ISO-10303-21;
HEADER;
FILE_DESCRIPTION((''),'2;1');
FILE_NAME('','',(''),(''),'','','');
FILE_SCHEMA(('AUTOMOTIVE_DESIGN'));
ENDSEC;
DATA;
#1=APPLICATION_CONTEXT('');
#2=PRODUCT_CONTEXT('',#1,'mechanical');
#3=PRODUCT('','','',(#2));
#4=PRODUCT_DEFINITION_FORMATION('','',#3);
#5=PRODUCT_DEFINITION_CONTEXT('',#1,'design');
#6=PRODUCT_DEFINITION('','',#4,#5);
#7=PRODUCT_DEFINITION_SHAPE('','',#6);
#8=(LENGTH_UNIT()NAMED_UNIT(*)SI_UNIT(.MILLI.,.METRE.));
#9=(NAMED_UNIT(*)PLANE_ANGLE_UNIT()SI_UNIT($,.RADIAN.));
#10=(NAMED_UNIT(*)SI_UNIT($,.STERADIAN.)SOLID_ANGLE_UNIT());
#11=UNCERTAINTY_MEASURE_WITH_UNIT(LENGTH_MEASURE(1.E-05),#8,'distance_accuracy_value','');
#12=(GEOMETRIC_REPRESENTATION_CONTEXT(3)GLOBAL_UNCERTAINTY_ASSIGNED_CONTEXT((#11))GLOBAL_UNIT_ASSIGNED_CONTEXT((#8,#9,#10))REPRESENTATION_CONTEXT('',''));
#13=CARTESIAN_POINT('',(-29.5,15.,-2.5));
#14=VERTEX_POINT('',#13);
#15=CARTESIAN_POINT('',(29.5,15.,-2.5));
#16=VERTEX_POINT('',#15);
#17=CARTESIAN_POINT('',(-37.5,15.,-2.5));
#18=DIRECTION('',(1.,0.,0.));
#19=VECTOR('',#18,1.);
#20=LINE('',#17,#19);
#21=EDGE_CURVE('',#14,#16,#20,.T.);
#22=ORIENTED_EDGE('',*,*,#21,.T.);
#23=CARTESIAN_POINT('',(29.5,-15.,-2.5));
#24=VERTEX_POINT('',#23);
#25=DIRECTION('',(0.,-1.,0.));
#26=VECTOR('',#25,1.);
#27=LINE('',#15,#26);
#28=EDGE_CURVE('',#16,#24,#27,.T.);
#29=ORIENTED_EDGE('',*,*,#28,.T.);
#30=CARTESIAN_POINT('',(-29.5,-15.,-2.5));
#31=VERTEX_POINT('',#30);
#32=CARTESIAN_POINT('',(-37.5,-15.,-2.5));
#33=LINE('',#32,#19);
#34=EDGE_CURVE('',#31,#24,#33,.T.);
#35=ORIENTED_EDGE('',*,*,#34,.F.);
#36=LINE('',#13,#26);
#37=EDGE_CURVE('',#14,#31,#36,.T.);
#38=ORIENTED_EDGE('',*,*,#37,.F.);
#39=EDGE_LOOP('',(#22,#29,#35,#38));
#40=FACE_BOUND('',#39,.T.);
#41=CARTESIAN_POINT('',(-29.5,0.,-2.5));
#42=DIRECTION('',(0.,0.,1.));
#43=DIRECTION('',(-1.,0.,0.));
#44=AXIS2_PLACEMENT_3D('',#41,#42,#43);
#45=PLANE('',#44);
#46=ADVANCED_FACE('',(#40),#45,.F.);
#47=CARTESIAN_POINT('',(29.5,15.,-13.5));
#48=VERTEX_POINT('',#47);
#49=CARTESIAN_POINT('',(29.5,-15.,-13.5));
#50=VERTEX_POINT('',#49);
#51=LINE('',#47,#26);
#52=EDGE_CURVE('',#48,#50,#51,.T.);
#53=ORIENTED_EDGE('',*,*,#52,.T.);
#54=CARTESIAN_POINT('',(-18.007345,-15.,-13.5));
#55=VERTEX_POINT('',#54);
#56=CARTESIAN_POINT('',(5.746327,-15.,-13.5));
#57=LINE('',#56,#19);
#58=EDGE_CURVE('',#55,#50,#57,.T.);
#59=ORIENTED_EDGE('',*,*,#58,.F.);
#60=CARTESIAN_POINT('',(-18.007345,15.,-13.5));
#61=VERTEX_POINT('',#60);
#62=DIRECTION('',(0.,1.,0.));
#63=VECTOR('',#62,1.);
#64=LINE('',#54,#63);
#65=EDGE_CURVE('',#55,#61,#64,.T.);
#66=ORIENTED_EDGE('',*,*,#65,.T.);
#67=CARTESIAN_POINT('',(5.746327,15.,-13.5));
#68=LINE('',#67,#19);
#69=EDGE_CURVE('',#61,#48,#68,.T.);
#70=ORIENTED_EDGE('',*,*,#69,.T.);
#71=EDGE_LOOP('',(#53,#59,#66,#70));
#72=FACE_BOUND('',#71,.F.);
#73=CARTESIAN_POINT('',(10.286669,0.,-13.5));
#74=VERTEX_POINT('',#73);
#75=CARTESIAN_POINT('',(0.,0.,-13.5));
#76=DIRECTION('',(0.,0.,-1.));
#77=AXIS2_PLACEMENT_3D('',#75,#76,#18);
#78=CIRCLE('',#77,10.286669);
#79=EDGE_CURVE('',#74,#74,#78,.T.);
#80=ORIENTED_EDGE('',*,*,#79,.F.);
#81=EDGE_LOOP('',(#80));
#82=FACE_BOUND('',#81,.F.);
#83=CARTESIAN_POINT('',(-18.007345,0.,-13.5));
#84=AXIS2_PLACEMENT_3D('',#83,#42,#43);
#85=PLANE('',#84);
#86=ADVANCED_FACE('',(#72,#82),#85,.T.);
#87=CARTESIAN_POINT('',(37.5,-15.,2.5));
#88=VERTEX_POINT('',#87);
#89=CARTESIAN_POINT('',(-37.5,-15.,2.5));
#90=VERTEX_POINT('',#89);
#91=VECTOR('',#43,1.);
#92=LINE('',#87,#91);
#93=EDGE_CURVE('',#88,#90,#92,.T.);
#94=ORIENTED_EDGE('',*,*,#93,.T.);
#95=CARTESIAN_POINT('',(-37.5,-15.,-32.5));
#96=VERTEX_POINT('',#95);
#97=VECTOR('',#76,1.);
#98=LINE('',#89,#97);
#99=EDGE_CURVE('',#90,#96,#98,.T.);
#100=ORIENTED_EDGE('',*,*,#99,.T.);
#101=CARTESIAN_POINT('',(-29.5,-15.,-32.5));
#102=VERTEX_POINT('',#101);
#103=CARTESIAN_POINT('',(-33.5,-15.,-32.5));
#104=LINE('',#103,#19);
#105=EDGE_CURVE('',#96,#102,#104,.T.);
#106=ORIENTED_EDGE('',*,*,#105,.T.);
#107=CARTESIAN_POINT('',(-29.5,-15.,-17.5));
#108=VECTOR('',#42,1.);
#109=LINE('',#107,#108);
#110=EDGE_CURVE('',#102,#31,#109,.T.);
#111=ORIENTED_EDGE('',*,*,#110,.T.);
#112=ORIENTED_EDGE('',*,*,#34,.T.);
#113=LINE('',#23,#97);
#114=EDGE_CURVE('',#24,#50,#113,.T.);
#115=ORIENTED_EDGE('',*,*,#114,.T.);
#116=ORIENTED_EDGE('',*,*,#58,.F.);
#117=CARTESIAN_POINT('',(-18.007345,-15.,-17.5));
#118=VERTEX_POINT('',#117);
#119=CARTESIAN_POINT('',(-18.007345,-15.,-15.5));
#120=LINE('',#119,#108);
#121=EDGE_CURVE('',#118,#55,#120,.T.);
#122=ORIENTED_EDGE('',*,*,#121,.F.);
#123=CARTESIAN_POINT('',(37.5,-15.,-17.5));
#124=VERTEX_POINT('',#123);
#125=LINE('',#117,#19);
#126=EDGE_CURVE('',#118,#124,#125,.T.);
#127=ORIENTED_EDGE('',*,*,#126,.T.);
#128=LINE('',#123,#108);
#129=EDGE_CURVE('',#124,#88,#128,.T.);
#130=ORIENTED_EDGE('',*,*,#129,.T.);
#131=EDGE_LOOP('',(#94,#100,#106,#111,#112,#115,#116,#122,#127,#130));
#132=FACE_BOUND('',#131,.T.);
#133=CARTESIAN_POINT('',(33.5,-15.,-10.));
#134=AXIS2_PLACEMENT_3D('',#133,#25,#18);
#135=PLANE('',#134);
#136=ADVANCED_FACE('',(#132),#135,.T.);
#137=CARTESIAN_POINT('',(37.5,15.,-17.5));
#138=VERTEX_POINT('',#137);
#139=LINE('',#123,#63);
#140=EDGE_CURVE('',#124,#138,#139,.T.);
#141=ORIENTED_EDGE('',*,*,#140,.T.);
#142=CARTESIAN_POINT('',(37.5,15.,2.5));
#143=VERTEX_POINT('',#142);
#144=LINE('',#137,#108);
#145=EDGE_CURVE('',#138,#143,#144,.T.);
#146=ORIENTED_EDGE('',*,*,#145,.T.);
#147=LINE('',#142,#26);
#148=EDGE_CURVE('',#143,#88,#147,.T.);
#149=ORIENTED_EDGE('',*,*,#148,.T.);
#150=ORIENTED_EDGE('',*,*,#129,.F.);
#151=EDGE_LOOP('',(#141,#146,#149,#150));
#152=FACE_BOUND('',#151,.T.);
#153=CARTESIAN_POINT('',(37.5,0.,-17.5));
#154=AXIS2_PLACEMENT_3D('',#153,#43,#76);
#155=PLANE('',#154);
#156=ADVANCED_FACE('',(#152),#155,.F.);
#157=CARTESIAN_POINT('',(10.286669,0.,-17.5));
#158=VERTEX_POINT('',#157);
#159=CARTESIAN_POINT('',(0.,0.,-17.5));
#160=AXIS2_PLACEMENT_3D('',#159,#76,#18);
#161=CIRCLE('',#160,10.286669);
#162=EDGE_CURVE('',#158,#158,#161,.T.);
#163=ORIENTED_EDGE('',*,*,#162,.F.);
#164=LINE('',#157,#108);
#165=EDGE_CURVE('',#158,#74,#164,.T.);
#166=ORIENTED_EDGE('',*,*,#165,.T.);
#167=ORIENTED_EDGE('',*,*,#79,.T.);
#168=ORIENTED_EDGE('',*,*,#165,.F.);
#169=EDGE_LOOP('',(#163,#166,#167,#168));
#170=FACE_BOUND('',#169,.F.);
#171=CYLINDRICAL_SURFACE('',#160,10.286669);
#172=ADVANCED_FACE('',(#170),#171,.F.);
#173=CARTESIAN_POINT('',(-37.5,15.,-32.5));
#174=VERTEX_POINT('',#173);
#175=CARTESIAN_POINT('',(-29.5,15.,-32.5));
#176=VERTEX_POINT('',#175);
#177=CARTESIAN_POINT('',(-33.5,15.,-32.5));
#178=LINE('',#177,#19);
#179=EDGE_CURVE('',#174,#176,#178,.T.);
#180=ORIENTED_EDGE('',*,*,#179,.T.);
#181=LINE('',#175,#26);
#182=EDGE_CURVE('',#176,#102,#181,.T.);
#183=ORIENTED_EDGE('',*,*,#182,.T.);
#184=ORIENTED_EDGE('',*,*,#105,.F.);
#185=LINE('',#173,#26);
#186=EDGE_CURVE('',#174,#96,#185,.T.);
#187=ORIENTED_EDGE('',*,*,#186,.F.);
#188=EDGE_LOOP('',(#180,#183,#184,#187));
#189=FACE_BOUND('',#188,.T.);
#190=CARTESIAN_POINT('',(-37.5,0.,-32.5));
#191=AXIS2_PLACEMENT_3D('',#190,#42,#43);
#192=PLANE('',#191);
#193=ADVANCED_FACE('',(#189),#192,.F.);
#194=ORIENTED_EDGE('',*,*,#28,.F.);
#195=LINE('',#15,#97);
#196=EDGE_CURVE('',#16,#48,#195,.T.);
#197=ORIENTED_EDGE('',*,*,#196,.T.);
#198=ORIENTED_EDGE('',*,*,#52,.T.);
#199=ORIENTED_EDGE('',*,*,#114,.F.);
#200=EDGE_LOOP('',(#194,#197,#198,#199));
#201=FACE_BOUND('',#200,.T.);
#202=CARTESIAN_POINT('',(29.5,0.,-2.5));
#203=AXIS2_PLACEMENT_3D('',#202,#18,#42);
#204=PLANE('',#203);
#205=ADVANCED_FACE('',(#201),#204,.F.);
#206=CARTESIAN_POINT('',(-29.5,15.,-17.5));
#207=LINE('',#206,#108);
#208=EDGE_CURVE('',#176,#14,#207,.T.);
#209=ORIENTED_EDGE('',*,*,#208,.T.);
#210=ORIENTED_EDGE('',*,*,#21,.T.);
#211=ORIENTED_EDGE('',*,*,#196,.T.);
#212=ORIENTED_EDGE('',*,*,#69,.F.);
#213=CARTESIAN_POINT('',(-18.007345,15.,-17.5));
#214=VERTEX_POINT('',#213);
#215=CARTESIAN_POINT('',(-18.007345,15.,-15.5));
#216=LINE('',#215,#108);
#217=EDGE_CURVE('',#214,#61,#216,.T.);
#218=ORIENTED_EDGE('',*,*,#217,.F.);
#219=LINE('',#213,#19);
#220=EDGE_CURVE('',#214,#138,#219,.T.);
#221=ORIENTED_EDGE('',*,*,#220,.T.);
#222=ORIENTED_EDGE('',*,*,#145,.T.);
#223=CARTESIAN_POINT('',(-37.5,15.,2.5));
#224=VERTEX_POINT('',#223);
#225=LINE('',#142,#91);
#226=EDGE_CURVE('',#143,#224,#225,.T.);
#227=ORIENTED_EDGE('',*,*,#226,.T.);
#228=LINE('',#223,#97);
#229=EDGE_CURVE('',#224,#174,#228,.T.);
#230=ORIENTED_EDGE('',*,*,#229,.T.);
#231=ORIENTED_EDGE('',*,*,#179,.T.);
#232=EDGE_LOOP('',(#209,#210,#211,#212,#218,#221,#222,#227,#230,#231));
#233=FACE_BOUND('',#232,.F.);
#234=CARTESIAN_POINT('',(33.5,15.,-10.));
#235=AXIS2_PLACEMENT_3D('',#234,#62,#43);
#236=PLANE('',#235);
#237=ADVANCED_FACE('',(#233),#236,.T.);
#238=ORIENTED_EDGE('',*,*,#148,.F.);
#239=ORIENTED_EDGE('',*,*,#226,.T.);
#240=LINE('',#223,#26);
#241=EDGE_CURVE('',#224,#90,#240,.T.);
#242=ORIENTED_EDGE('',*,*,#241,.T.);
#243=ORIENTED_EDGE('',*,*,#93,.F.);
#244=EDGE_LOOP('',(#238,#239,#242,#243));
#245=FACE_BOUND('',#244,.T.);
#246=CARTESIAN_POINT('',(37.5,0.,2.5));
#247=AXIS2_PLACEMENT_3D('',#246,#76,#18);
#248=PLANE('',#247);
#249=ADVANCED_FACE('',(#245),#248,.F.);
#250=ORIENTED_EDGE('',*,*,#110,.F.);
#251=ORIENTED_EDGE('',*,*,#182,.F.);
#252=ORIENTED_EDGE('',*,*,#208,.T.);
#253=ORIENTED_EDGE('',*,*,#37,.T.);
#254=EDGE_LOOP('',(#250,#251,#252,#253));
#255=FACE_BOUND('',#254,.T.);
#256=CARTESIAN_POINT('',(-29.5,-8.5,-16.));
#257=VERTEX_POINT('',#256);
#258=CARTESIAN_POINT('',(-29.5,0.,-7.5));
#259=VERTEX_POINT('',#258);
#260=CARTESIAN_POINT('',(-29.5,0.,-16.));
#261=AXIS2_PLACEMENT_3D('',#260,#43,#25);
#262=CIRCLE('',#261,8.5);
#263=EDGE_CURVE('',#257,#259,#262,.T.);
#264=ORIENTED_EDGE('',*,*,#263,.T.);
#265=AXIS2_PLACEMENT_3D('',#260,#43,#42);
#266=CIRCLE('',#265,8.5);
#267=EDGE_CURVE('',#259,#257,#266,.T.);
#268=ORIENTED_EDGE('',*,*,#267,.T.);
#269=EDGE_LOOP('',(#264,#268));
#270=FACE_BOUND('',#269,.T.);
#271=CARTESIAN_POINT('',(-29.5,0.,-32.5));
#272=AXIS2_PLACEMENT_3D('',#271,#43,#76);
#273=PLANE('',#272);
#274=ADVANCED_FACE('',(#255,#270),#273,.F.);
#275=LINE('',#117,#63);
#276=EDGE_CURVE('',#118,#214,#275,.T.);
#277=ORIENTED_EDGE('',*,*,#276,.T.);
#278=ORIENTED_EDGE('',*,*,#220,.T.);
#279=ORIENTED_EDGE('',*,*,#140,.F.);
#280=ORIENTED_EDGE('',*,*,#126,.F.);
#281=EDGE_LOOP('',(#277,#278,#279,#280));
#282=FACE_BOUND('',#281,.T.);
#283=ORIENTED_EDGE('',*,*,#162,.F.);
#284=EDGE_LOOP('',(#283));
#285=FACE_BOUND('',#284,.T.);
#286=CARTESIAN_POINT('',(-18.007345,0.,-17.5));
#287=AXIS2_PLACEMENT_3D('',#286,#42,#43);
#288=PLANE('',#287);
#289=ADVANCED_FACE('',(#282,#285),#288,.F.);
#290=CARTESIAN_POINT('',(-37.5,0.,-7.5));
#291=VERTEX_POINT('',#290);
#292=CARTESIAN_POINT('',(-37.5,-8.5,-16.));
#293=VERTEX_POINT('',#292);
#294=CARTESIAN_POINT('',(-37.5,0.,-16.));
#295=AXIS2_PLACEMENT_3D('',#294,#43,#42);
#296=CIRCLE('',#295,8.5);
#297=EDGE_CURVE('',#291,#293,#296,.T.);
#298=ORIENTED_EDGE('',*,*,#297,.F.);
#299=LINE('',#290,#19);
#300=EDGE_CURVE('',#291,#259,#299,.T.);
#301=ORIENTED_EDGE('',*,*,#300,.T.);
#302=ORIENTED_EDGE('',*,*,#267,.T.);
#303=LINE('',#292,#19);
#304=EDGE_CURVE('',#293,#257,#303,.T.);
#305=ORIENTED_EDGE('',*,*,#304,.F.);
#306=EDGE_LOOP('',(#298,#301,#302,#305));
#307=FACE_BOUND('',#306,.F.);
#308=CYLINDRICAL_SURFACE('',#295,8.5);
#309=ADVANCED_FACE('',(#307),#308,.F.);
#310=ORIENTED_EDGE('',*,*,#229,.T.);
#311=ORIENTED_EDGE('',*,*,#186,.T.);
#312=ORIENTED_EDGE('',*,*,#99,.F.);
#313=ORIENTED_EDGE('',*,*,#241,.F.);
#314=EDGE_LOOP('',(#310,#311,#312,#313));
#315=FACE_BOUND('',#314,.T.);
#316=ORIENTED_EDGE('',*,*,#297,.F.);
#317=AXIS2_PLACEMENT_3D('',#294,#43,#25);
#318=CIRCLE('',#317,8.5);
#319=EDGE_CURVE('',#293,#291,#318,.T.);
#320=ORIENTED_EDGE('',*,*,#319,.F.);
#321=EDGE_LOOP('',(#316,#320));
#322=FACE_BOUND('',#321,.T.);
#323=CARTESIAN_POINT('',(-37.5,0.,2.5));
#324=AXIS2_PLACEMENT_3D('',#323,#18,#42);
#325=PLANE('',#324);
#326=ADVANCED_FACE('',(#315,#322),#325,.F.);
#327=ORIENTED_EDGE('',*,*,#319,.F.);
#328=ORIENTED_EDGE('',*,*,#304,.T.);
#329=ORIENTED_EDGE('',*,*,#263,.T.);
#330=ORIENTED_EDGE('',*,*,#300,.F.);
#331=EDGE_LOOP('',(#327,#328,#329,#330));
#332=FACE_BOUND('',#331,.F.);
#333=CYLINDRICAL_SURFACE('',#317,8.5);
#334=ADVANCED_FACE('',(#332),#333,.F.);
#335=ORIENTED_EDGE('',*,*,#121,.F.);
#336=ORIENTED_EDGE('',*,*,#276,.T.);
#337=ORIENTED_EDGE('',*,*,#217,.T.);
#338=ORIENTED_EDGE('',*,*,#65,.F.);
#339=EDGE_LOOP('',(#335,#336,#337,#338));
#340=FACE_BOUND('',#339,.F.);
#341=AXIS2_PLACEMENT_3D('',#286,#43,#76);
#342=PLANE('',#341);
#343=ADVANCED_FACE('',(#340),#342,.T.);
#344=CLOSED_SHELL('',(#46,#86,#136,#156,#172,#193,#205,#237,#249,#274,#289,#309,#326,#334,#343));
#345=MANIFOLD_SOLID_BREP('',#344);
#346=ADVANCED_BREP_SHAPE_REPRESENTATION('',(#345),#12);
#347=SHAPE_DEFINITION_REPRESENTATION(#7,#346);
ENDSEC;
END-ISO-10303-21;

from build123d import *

# Parameters (mm, degrees)
F0_W     = 47.5073454976
F0_H     = 4
F0_W_2   = 8
F0_H_2   = 30
F1_DEPTH = 15
F3_R     = 10.286668946
F4_DEPTH = 10
F6_DEPTH = 10


with BuildPart() as f1:
    # F0 (on Front) → F1 (new body)
    with BuildSketch(Plane.XZ):
        Polygon((37.5, -17.5), (37.5, -2.5), (29.5, -2.5), (29.5, -13.5), (29.5, -17.5), align=None)
        with Locations((5.7463272512, -15.5)):
            Rectangle(F0_W, F0_H)
        Polygon((37.5, 2.5), (-37.5, 2.5), (-37.5, -2.5), (-29.5, -2.5), (29.5, -2.5), (37.5, -2.5), align=None)
        with Locations((-33.5, -17.5)):
            Rectangle(F0_W_2, F0_H_2)
    extrude(amount=F1_DEPTH)

    # F2: F1 across plane


with BuildPart() as f1_1:
    add(f1.part)
    add(f1.part.mirror(Plane.XZ))

    # F3 (on face) → F4 (cut)
    with BuildSketch(Plane(origin=(0, 0, -17.5), x_dir=(1, 0, 0), z_dir=(0, 0, -1))):
        Circle(F3_R)
    extrude(amount=-F4_DEPTH, mode=Mode.SUBTRACT)

    # F5 (on face) → F6 (cut)
    with BuildSketch(Plane(origin=(-37.5, 0, 0), x_dir=(0, -1, 0), z_dir=(-1, 0, 0))):
        with BuildLine():
            ThreePointArc((8.5, -16), (6.0104076401, -9.9895923599), (0, -7.5))
            ThreePointArc((0, -7.5), (-6.0104076401, -22.0104076401), (8.5, -16))
        make_face()
    extrude(amount=-F6_DEPTH, mode=Mode.SUBTRACT)


solid = f1_1.part
